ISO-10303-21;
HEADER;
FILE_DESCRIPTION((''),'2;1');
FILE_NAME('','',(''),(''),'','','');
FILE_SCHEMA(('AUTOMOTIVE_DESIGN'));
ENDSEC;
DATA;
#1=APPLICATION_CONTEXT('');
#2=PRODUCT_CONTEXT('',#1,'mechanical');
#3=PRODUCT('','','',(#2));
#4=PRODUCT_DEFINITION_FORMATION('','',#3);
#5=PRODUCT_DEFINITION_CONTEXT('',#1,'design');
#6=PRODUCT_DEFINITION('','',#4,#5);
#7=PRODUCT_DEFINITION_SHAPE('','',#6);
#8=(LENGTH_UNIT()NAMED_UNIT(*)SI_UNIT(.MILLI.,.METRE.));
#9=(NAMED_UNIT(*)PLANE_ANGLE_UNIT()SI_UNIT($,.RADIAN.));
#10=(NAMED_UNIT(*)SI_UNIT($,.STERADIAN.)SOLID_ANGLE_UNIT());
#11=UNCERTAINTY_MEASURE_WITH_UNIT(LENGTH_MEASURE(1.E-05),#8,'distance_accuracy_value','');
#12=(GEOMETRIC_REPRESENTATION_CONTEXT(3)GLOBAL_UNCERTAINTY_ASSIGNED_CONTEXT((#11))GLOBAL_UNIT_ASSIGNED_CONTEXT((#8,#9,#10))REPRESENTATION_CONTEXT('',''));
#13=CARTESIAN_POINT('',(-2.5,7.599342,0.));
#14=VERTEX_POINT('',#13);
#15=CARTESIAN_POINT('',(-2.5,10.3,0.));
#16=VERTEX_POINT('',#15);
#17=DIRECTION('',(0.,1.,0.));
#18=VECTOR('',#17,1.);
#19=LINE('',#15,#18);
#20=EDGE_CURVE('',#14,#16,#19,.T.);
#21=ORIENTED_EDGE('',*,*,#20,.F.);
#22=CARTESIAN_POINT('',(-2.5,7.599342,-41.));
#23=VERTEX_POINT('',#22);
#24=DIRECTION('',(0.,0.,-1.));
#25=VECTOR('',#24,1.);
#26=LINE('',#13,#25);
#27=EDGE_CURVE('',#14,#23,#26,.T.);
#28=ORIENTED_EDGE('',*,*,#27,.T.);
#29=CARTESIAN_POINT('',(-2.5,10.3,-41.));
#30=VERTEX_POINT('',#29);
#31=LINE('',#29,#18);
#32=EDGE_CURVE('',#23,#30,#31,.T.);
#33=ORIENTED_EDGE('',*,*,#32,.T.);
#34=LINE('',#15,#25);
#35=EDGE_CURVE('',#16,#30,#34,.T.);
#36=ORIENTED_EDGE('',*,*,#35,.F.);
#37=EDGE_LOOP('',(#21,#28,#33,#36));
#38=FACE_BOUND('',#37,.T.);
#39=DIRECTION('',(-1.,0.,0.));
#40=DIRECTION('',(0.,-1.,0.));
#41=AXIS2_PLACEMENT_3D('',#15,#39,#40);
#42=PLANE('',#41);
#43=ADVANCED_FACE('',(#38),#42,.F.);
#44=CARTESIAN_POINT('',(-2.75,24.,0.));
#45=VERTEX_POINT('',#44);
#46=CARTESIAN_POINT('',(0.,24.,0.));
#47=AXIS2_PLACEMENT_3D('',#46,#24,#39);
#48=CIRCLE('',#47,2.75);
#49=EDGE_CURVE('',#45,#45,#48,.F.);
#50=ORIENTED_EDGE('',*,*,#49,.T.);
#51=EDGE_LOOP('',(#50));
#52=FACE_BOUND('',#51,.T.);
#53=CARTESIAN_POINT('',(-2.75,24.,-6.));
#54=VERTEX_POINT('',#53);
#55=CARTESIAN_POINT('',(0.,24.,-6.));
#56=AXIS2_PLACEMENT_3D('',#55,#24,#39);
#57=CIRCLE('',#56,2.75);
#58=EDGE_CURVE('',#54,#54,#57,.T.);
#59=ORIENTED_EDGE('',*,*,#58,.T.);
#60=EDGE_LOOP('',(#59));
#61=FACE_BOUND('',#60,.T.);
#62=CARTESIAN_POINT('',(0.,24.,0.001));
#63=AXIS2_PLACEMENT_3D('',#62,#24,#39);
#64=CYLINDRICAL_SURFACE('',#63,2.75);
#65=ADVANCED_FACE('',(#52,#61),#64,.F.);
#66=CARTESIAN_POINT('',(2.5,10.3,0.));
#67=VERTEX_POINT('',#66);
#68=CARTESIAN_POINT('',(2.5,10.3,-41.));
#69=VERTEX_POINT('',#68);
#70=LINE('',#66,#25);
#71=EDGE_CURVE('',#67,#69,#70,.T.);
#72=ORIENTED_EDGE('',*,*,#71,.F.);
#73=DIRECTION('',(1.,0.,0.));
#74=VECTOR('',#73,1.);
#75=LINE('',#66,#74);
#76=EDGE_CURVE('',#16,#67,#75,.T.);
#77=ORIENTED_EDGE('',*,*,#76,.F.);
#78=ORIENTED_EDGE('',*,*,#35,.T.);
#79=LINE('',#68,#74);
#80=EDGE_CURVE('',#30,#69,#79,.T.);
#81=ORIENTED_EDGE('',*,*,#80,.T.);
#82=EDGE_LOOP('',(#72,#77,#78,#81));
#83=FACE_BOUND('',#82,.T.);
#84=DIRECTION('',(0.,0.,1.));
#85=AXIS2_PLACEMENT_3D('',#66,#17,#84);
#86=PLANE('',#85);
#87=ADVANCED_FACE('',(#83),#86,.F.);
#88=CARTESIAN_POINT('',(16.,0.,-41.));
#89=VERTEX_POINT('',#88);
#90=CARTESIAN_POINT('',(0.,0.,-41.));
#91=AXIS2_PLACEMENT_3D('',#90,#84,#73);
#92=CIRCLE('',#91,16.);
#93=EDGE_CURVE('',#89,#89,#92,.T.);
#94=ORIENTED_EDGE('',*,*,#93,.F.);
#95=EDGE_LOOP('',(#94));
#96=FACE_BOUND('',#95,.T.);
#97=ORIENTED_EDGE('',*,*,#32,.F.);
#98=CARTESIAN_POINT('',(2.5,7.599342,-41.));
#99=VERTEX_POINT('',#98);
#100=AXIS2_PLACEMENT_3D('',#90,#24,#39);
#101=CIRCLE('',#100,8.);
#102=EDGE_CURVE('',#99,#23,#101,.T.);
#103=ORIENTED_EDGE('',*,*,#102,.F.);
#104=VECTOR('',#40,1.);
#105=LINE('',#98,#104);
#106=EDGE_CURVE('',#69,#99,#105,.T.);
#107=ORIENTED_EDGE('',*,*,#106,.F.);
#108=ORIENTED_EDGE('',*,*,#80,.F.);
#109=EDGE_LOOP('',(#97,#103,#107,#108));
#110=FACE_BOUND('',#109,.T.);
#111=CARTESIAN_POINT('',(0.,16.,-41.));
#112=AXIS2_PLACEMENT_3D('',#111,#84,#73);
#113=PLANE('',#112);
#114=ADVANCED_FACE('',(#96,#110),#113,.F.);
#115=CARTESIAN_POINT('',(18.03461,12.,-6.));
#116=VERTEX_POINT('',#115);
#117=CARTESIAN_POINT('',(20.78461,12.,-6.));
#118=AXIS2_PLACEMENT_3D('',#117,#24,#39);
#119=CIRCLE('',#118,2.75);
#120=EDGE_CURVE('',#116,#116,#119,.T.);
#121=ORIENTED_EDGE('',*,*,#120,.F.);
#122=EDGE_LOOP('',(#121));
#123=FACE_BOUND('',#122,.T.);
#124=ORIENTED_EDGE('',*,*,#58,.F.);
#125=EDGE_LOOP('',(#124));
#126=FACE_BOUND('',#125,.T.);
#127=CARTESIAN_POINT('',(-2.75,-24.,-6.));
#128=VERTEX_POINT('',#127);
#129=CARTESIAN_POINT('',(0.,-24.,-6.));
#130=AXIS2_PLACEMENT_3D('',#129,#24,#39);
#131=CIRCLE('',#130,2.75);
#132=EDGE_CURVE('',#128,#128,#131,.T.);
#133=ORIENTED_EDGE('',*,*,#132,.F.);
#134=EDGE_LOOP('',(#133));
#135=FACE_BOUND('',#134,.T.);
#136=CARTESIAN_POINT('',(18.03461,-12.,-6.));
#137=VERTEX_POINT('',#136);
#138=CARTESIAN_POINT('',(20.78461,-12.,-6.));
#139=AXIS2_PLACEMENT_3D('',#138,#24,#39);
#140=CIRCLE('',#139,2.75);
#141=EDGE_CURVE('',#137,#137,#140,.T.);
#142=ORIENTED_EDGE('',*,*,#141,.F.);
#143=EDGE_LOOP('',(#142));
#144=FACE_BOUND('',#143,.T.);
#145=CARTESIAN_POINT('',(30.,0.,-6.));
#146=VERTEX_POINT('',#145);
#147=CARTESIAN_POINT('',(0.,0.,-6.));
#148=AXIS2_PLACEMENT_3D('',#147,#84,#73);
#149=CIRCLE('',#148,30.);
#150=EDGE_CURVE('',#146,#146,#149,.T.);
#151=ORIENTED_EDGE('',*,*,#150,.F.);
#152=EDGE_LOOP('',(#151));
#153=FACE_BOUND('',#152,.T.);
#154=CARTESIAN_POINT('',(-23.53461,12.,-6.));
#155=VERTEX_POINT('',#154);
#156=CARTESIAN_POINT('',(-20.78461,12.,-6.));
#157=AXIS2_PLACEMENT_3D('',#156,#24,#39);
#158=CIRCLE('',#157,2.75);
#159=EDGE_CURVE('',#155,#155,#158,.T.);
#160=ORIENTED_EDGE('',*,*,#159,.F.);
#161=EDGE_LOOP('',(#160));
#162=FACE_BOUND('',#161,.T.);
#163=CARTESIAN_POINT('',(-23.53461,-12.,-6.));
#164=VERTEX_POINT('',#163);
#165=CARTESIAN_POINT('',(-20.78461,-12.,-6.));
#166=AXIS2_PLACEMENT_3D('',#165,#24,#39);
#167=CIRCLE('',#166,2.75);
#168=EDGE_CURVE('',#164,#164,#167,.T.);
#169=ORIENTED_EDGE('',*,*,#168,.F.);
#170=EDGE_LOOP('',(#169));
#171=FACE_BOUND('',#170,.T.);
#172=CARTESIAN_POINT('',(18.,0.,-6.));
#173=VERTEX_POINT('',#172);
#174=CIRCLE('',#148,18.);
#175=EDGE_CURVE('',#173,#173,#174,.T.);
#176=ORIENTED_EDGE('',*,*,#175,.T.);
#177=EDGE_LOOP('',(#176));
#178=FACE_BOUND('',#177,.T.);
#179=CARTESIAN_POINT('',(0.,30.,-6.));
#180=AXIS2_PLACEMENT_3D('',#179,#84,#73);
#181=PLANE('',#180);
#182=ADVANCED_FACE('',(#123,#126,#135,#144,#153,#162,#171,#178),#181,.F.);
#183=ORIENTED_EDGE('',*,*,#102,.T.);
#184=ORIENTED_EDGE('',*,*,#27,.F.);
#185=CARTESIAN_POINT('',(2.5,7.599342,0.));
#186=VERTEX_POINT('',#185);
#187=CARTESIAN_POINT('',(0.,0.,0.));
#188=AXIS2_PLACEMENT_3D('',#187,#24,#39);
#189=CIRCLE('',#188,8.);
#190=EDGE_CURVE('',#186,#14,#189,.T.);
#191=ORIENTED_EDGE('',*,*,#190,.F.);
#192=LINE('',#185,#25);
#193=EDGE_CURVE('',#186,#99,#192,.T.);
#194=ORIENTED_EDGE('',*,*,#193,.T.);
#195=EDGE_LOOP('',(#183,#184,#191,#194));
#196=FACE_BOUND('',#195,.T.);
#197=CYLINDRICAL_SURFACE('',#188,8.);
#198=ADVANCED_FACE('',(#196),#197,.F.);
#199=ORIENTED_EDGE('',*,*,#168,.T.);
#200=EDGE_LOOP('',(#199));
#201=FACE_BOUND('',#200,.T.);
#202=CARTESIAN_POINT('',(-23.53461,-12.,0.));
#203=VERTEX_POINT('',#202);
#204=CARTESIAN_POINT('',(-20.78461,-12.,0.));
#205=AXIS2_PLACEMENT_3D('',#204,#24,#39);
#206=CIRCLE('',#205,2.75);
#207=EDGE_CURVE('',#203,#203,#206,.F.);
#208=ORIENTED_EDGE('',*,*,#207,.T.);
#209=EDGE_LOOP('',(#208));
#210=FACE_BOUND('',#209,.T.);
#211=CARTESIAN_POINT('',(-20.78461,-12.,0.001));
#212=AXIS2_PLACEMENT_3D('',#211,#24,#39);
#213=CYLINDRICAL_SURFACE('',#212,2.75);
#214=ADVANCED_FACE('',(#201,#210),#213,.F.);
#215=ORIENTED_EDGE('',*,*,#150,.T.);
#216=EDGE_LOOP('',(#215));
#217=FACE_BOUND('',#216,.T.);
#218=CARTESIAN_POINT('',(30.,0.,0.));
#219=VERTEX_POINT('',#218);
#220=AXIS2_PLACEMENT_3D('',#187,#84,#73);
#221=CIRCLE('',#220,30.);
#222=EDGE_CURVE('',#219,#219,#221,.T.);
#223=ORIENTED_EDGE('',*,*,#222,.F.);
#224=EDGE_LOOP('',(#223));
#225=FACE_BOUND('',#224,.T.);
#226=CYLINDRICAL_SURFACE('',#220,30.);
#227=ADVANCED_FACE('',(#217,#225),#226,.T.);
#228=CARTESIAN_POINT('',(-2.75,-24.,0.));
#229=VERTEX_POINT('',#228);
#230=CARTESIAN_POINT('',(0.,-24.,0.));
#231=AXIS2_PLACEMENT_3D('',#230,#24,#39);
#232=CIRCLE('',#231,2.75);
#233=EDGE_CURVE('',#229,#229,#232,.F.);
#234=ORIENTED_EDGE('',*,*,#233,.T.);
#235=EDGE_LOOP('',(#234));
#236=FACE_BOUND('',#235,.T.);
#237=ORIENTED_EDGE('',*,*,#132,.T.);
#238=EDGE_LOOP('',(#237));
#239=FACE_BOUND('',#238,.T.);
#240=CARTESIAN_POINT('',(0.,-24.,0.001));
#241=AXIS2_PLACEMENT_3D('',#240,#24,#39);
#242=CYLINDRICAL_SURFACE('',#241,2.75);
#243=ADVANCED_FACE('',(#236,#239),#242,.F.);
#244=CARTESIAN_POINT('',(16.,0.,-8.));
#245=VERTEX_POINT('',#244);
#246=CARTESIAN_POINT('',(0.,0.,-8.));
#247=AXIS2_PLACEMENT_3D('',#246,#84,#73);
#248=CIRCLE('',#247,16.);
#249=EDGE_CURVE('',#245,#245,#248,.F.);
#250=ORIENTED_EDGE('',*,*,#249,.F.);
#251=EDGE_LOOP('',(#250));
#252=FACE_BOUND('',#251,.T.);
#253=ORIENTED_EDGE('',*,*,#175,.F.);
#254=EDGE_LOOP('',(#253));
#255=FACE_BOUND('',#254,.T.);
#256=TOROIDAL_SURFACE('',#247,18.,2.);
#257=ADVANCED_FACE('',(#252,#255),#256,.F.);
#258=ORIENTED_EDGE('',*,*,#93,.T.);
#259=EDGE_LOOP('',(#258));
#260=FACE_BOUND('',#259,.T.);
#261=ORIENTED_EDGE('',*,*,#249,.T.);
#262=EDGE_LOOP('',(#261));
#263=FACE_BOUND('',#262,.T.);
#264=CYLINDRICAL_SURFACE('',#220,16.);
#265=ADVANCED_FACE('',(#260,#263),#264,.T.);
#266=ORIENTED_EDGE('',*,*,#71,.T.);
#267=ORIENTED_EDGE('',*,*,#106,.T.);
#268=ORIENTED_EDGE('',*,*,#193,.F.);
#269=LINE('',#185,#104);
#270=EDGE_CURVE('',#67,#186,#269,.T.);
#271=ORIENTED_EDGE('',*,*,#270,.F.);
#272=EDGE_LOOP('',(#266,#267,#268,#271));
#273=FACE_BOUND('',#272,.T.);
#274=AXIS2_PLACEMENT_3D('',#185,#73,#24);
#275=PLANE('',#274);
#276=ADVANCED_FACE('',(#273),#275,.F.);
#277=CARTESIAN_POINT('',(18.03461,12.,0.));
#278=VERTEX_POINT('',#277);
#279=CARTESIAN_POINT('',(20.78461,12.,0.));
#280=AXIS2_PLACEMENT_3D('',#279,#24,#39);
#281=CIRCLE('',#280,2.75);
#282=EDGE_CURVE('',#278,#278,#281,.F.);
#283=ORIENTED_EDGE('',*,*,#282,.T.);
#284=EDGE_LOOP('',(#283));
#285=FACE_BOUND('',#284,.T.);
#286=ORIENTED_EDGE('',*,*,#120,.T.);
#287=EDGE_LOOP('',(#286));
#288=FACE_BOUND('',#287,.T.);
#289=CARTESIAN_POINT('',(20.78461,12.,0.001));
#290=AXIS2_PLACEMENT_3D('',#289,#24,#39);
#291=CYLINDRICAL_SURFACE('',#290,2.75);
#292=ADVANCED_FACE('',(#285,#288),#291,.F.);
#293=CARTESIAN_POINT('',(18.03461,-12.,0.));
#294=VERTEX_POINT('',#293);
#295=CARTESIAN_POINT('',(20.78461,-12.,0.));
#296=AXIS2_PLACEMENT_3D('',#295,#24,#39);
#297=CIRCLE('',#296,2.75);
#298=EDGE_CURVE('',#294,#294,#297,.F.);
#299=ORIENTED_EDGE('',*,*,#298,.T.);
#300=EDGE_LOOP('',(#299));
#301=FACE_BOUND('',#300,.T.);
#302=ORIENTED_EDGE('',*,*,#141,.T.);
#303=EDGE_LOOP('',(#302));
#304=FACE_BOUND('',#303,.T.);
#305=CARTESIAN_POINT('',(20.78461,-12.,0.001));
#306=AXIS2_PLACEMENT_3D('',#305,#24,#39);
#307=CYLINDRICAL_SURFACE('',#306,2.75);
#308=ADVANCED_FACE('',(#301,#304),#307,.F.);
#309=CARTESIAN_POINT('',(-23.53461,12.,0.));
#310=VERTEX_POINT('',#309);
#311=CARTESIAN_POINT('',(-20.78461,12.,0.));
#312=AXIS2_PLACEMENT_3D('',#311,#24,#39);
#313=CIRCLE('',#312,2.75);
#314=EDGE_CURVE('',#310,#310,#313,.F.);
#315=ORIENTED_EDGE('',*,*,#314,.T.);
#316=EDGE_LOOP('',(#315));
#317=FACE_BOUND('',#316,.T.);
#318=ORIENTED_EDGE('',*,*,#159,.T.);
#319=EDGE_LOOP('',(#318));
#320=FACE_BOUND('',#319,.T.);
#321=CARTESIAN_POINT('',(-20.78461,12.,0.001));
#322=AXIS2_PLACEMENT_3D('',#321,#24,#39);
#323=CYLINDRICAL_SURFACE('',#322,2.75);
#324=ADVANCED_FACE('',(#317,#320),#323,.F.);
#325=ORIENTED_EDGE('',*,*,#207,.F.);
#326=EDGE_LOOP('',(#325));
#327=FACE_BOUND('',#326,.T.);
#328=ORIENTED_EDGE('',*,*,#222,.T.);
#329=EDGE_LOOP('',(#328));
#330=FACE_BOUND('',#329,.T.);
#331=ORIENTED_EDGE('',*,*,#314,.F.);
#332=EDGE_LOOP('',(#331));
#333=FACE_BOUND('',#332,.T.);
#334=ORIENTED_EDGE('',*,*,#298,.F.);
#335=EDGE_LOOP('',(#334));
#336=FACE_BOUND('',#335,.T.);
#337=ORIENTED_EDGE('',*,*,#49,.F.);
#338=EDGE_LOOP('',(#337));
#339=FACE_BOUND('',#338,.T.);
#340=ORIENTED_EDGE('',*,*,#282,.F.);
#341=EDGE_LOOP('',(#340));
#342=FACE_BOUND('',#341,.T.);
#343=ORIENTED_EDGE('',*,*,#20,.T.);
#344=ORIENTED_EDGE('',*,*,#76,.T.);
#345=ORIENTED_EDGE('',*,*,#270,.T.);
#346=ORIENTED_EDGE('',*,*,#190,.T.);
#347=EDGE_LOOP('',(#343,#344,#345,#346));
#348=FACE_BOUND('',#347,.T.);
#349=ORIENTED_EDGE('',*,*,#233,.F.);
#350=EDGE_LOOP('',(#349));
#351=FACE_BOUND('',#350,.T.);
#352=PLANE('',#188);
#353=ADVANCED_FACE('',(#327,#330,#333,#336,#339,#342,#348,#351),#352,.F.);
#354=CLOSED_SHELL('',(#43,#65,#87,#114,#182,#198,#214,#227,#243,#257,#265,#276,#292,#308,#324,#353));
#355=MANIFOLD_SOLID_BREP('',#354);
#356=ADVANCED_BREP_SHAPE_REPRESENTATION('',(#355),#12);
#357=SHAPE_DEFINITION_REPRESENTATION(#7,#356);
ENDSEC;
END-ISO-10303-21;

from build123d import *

# Parameters (mm, degrees)
CUT_EXTRUDE_1_REACH = 57
SKETCH_2_R          = 2.75
FILLET_1_R          = 2
SKETCH1_R           = 8
CUT_EXTRUDE1_DEPTH  = 60
CUT_EXTRUDE2_DEPTH  = 60


with BuildPart() as part:
    # 草图1 → 旋转1 (revolve)
    with BuildSketch(Plane(origin=(0, 0, 0), x_dir=(0, 0, -1), z_dir=(1, 0, 0)), mode=Mode.PRIVATE) as revolve_1_sk:
        Polygon((0, 0), (0, 30), (6, 30), (6, 16), (41, 16), (41, 0), align=None)
    revolve(revolve_1_sk.sketch.rotate(Axis((0, 0, 0), (0, 0, -1)), 90), axis=Axis((0, 0, 0), (0, 0, -1)))

    # 草图2 → 切除-拉伸1 (cut, up to next)
    with BuildSketch(Plane(origin=(0, 0, -6), x_dir=(-1, 0, 0), z_dir=(0, 0, -1)), mode=Mode.PRIVATE) as cut_extrude_1_sk1:
        with Locations((0, 24)):
            Circle(SKETCH_2_R)
    cut_extrude_1_tool1 = extrude(cut_extrude_1_sk1.sketch, amount=-CUT_EXTRUDE_1_REACH, mode=Mode.PRIVATE) & part.part
    # 草图2 → 切除-拉伸1 (cut, up to next)
    with BuildSketch(Plane(origin=(0, 0, -6), x_dir=(-1, 0, 0), z_dir=(0, 0, -1)), mode=Mode.PRIVATE) as cut_extrude_1_sk2:
        with Locations((20.784609691, 12)):
            Circle(SKETCH_2_R)
    cut_extrude_1_tool2 = extrude(cut_extrude_1_sk2.sketch, amount=-CUT_EXTRUDE_1_REACH, mode=Mode.PRIVATE) & part.part
    # 草图2 → 切除-拉伸1 (cut, up to next)
    with BuildSketch(Plane(origin=(0, 0, -6), x_dir=(-1, 0, 0), z_dir=(0, 0, -1)), mode=Mode.PRIVATE) as cut_extrude_1_sk3:
        with Locations((20.784609691, -12)):
            Circle(SKETCH_2_R)
    cut_extrude_1_tool3 = extrude(cut_extrude_1_sk3.sketch, amount=-CUT_EXTRUDE_1_REACH, mode=Mode.PRIVATE) & part.part
    # 草图2 → 切除-拉伸1 (cut, up to next)
    with BuildSketch(Plane(origin=(0, 0, -6), x_dir=(-1, 0, 0), z_dir=(0, 0, -1)), mode=Mode.PRIVATE) as cut_extrude_1_sk4:
        with Locations((0, -24)):
            Circle(SKETCH_2_R)
    cut_extrude_1_tool4 = extrude(cut_extrude_1_sk4.sketch, amount=-CUT_EXTRUDE_1_REACH, mode=Mode.PRIVATE) & part.part
    # 草图2 → 切除-拉伸1 (cut, up to next)
    with BuildSketch(Plane(origin=(0, 0, -6), x_dir=(-1, 0, 0), z_dir=(0, 0, -1)), mode=Mode.PRIVATE) as cut_extrude_1_sk5:
        with Locations((-20.784609691, -12)):
            Circle(SKETCH_2_R)
    cut_extrude_1_tool5 = extrude(cut_extrude_1_sk5.sketch, amount=-CUT_EXTRUDE_1_REACH, mode=Mode.PRIVATE) & part.part
    # 草图2 → 切除-拉伸1 (cut, up to next)
    with BuildSketch(Plane(origin=(0, 0, -6), x_dir=(-1, 0, 0), z_dir=(0, 0, -1)), mode=Mode.PRIVATE) as cut_extrude_1_sk6:
        with Locations((-20.784609691, 12)):
            Circle(SKETCH_2_R)
    cut_extrude_1_tool6 = extrude(cut_extrude_1_sk6.sketch, amount=-CUT_EXTRUDE_1_REACH, mode=Mode.PRIVATE) & part.part
    add(cut_extrude_1_tool1.solids().sort_by_distance((0, 24, -6))[0], mode=Mode.SUBTRACT)
    add(cut_extrude_1_tool2.solids().sort_by_distance((-20.78461, 12, -6))[0], mode=Mode.SUBTRACT)
    add(cut_extrude_1_tool3.solids().sort_by_distance((-20.78461, -12, -6))[0], mode=Mode.SUBTRACT)
    add(cut_extrude_1_tool4.solids().sort_by_distance((0, -24, -6))[0], mode=Mode.SUBTRACT)
    add(cut_extrude_1_tool5.solids().sort_by_distance((20.78461, -12, -6))[0], mode=Mode.SUBTRACT)
    add(cut_extrude_1_tool6.solids().sort_by_distance((20.78461, 12, -6))[0], mode=Mode.SUBTRACT)

    # 圆角1
    fillet_1_edges = [part.edges().sort_by_distance(p)[0] for p in [
        (-16, 0, -6),
    ]]
    fillet(fillet_1_edges, radius=FILLET_1_R)

    # Sketch1 → Cut-Extrude1 (cut, through all)
    with BuildSketch(Plane(origin=(0, 0, -41), x_dir=(-1, 0, 0), z_dir=(0, 0, -1))):
        Circle(SKETCH1_R)
    extrude(amount=-CUT_EXTRUDE1_DEPTH, mode=Mode.SUBTRACT)

    # Sketch2 → Cut-Extrude2 (cut, through all)
    with BuildSketch(Plane(origin=(0, 0, -41), x_dir=(-1, 0, 0), z_dir=(0, 0, -1))):
        with BuildLine():
            Line((-2.5, 7.599342077), (-2.5, 10.3))
            Line((-2.5, 10.3), (2.5, 10.3))
            Line((2.5, 10.3), (2.5, 7.599342077))
            ThreePointArc((2.5, 7.599342077), (0, 8), (-2.5, 7.599342077))
        make_face()
    extrude(amount=-CUT_EXTRUDE2_DEPTH, mode=Mode.SUBTRACT)


solid = part.part
